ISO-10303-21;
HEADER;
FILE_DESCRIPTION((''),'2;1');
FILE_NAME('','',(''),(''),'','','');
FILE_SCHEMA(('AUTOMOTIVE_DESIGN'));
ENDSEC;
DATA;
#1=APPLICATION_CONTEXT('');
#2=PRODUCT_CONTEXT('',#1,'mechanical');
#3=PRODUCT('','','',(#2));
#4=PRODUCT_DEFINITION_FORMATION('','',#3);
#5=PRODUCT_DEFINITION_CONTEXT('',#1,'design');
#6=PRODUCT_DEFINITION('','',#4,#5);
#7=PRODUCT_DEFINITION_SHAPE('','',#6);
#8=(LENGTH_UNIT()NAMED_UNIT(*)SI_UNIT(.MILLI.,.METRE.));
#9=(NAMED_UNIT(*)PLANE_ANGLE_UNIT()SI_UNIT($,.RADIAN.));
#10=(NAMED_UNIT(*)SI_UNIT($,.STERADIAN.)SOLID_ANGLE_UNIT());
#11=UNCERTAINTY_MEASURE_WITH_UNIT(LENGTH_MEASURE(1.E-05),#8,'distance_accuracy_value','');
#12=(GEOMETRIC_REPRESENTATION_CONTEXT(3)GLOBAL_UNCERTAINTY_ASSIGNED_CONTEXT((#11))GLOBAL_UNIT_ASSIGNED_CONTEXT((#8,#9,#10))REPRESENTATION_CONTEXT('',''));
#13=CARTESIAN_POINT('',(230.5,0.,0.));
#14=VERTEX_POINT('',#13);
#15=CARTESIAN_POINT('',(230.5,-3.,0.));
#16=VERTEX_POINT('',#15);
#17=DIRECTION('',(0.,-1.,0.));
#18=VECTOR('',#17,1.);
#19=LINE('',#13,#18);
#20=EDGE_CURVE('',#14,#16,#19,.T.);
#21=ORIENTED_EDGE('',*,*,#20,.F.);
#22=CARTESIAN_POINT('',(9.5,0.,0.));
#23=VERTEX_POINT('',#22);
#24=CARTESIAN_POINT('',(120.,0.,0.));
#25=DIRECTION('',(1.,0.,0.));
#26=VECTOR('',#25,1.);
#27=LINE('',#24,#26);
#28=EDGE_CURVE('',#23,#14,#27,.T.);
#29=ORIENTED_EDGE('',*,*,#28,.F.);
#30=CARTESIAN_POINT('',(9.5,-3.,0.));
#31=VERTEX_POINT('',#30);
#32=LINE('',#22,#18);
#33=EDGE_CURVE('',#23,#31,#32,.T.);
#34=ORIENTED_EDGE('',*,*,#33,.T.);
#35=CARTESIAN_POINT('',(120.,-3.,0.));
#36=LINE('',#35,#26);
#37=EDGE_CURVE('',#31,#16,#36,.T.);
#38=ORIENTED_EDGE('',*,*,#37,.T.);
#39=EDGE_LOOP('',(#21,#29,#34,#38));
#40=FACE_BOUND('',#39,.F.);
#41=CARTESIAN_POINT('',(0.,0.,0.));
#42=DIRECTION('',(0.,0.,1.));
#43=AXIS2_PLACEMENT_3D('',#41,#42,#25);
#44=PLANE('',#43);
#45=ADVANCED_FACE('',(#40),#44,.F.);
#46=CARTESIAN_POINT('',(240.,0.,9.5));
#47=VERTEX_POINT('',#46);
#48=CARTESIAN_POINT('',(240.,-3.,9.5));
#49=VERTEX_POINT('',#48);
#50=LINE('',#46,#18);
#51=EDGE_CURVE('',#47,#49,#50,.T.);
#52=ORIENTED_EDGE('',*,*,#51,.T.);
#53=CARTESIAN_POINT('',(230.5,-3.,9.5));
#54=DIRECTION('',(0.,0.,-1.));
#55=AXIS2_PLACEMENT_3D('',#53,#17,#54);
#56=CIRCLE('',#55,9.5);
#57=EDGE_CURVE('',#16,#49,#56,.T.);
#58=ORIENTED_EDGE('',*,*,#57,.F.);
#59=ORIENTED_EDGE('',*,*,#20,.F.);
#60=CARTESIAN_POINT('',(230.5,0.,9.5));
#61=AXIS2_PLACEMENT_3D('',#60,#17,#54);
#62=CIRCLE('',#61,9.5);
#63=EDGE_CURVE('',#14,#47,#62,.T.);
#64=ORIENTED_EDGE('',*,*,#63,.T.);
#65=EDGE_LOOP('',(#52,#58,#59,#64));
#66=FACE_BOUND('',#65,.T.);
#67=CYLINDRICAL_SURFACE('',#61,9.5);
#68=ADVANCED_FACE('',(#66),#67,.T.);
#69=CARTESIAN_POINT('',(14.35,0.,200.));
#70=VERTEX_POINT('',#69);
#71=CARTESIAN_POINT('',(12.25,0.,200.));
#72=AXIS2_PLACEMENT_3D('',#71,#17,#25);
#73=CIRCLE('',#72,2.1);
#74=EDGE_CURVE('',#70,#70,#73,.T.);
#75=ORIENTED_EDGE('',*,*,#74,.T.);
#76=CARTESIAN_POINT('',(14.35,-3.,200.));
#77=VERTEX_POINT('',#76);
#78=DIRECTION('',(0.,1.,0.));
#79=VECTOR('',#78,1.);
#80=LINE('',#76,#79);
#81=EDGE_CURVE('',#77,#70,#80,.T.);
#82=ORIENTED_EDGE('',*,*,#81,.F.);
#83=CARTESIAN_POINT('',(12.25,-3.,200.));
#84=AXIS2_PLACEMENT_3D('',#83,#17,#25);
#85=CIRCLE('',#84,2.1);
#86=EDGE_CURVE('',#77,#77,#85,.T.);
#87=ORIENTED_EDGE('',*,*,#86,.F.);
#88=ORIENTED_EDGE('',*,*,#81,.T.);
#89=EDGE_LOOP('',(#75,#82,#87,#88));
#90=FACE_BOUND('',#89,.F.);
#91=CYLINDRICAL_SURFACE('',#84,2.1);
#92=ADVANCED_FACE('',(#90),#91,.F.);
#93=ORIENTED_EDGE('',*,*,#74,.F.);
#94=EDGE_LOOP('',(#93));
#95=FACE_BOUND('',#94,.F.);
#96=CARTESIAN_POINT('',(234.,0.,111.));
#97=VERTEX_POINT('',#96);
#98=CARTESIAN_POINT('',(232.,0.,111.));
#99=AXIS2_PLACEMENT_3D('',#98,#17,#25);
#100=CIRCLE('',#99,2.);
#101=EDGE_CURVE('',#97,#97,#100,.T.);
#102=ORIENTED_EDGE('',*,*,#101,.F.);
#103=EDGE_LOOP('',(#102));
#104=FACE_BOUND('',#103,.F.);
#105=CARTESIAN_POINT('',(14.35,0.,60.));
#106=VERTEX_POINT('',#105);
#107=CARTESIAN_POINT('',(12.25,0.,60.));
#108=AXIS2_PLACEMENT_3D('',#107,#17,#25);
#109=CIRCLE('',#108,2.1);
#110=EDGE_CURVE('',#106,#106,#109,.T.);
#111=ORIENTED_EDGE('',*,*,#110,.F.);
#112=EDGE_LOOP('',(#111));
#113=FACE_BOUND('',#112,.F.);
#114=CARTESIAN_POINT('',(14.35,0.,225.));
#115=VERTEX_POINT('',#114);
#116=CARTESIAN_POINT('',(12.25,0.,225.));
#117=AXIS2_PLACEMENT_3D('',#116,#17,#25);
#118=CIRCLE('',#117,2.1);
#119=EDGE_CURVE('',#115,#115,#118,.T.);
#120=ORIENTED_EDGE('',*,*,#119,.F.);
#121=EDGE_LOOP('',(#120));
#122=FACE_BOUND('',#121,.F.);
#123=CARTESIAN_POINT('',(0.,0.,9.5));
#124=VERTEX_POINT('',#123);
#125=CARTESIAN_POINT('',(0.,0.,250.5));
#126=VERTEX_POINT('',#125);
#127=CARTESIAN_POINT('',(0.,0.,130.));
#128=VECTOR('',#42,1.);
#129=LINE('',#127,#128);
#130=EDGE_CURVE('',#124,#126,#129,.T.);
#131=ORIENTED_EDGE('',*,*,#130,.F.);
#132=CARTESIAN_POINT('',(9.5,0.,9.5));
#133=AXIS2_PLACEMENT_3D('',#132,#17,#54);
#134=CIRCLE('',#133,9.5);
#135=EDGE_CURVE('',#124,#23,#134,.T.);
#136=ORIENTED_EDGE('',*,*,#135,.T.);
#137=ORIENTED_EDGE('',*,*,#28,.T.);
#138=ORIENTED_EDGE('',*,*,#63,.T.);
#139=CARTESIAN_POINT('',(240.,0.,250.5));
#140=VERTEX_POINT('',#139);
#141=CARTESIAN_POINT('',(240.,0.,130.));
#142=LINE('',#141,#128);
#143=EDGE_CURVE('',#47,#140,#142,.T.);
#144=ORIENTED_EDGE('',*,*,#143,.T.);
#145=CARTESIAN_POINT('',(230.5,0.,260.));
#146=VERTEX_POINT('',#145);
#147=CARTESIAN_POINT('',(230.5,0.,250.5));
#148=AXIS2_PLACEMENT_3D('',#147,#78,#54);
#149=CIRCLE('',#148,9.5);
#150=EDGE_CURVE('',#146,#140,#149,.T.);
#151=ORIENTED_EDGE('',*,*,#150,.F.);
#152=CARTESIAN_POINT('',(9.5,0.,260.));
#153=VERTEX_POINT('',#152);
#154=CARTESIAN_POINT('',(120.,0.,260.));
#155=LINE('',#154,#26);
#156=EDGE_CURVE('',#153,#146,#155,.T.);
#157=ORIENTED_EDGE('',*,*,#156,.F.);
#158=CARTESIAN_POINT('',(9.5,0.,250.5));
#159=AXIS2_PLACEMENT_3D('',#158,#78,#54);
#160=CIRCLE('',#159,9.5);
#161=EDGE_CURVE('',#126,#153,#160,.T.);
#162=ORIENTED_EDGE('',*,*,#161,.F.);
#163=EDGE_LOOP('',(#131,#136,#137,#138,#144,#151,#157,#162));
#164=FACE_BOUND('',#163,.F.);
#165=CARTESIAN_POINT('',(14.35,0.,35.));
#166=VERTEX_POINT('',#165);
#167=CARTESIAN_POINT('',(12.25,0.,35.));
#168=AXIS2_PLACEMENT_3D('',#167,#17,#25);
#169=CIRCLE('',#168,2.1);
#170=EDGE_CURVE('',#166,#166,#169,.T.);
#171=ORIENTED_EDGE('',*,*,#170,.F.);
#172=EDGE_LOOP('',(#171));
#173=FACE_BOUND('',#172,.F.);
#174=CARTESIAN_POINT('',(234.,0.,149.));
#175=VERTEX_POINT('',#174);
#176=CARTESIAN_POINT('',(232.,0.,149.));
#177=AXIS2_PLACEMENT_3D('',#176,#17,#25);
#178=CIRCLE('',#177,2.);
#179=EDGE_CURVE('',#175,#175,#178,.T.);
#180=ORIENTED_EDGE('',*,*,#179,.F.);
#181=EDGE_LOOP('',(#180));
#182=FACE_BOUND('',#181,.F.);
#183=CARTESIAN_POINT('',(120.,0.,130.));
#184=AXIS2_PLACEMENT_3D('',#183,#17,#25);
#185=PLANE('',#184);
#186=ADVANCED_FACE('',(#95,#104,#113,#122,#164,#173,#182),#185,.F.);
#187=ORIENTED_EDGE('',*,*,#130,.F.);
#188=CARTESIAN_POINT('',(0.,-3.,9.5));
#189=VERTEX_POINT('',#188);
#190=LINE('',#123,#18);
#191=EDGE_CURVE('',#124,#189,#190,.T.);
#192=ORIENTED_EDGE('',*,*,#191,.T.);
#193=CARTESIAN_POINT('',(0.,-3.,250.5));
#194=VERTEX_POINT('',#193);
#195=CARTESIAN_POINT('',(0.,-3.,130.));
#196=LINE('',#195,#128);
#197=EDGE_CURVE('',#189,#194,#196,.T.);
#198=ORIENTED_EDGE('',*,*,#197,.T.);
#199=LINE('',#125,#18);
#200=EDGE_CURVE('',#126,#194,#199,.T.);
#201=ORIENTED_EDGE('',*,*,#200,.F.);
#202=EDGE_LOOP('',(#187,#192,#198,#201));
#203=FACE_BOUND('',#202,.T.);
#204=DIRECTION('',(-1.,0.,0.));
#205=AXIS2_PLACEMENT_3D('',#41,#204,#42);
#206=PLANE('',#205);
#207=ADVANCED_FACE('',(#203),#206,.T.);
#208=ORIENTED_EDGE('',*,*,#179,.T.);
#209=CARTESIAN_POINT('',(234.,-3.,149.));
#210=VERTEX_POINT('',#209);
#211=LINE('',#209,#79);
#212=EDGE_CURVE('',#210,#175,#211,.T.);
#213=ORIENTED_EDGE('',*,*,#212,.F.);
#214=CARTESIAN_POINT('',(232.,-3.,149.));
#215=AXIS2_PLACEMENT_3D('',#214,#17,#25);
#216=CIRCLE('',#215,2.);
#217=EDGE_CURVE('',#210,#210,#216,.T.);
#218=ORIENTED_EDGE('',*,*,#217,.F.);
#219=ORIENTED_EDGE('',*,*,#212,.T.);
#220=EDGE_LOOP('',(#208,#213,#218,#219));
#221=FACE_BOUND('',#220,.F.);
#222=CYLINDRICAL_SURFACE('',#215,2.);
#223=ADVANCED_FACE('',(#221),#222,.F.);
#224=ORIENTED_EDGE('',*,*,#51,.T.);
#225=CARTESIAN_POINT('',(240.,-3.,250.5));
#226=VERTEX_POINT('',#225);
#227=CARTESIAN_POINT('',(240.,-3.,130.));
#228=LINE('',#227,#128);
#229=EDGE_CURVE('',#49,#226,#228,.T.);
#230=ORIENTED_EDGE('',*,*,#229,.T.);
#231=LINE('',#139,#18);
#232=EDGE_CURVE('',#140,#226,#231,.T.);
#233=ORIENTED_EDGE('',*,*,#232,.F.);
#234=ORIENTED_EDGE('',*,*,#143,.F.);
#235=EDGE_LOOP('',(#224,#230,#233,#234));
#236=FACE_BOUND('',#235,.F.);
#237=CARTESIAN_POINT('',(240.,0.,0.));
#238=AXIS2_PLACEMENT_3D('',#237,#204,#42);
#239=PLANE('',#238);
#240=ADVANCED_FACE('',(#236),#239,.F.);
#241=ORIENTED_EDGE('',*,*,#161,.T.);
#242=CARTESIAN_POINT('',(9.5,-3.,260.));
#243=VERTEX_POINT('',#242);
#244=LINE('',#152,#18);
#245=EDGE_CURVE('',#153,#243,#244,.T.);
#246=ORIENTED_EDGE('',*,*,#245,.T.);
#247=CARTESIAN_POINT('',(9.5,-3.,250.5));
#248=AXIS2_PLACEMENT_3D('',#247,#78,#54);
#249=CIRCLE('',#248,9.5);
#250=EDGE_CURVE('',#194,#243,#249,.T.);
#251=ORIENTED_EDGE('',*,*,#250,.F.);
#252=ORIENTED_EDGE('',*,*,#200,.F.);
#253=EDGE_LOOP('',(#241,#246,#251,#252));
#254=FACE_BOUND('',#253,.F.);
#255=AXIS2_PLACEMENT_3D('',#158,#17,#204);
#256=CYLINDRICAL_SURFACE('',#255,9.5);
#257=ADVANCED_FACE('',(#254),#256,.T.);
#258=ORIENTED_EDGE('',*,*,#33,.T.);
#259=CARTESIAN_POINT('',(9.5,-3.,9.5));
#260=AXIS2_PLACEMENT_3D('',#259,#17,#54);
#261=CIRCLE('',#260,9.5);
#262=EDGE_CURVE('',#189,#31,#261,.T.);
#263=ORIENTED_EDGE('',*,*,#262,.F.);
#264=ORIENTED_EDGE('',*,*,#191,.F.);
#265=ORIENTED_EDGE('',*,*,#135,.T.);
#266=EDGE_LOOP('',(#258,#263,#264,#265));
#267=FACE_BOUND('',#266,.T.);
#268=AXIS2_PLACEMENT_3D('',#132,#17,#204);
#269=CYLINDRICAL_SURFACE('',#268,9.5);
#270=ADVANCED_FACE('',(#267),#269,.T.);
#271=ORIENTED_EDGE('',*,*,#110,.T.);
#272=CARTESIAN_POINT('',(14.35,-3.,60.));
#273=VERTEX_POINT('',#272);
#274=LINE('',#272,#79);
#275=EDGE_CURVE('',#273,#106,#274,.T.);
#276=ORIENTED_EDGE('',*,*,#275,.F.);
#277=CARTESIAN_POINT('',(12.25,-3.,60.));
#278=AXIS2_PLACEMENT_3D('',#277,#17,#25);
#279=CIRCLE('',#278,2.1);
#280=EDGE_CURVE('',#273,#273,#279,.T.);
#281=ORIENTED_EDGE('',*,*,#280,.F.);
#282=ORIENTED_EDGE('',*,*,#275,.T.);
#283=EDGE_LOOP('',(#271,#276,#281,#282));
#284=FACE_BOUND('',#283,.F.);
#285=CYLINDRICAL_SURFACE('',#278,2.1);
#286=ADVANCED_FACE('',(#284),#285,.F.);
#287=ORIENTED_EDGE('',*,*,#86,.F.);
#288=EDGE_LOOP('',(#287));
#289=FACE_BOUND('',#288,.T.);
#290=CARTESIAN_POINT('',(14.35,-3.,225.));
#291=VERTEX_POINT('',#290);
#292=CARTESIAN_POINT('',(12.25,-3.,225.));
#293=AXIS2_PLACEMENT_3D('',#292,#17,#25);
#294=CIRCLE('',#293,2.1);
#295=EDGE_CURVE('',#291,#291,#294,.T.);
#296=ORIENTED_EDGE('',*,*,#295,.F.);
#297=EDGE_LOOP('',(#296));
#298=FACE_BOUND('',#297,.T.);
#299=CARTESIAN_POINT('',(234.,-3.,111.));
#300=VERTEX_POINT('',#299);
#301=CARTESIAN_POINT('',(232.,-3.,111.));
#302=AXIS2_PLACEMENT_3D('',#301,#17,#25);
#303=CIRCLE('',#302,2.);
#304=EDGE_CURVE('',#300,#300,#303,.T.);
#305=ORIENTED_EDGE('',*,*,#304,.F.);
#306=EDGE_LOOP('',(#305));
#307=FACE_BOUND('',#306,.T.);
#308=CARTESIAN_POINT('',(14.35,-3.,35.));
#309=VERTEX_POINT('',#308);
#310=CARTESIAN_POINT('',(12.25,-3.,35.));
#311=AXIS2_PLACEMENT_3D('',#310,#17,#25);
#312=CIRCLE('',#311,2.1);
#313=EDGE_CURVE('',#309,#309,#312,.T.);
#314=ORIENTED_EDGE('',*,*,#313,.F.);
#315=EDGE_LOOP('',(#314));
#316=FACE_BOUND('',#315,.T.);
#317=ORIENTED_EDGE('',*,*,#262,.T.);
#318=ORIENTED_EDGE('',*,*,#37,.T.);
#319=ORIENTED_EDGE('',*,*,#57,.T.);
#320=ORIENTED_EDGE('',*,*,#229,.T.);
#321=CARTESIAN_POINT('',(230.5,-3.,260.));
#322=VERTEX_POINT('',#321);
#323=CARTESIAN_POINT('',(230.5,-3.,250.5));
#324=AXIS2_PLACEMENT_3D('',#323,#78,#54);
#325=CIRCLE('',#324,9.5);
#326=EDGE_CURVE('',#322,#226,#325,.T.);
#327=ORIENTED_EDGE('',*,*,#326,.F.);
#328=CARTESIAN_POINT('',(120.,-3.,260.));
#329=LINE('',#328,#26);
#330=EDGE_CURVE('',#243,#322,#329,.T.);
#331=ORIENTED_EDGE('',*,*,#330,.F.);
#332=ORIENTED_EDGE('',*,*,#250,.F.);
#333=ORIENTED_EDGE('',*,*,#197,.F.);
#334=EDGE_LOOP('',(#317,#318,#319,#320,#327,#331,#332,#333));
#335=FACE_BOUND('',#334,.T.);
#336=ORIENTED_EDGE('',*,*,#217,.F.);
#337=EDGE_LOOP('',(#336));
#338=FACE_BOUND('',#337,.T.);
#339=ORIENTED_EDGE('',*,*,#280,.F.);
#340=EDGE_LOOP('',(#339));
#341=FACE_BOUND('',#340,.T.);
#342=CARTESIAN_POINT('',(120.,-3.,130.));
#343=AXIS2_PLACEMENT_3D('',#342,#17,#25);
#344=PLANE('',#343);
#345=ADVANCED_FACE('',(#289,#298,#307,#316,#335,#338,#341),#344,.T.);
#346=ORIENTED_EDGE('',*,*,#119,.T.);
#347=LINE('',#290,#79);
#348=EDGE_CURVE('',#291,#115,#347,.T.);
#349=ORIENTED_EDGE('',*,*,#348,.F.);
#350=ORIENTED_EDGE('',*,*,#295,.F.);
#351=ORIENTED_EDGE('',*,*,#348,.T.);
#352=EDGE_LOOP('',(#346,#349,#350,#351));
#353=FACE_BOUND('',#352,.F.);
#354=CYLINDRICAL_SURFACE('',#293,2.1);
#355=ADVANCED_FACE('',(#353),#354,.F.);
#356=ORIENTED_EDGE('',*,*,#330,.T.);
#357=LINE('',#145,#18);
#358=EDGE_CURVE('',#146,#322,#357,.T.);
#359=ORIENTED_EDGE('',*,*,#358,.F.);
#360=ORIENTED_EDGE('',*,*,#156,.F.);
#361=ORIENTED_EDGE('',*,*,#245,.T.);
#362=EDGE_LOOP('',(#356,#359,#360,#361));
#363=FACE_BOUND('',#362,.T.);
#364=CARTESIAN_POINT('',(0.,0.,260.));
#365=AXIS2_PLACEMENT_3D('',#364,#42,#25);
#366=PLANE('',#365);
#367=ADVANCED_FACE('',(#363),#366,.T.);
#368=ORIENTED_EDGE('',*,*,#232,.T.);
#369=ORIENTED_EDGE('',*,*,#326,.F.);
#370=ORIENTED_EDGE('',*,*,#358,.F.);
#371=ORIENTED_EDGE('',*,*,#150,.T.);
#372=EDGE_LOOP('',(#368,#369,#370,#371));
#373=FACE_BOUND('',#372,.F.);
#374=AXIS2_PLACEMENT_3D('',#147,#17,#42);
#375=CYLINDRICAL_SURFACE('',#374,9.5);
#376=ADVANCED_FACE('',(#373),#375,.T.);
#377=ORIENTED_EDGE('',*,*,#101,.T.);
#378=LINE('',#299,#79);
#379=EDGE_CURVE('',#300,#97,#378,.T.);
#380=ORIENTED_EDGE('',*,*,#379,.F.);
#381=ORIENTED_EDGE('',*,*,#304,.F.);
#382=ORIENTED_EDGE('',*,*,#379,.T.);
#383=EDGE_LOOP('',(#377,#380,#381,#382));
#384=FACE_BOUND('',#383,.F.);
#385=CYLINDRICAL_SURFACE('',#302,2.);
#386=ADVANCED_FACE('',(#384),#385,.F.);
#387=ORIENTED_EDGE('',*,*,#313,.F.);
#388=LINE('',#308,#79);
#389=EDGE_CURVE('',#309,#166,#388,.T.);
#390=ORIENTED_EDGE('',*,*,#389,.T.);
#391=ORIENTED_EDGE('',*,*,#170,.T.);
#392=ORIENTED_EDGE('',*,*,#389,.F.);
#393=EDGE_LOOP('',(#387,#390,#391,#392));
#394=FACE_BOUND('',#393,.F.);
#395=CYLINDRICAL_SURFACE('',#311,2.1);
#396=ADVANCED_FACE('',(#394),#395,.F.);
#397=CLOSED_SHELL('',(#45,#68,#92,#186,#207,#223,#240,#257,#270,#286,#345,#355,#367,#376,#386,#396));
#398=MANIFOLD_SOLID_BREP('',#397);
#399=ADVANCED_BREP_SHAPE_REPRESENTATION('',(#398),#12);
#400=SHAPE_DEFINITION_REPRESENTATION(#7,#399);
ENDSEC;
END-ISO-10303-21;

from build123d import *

# Parameters (mm, degrees)
SKETCH_W        = 240
SKETCH_H        = 260
PAD_DEPTH       = 3
SKETCH001_R     = 2.1
POCKET_DEPTH    = 5
FILLET_R        = 9.5
SKETCH002_R     = 2
POCKET001_DEPTH = 3.001


with BuildPart() as part:
    # Sketch → Pad (new body)
    with BuildSketch(Plane.XZ):
        with Locations((120, 130)):
            Rectangle(SKETCH_W, SKETCH_H)
    extrude(amount=PAD_DEPTH)

    # Sketch001 (on Face6 of Pad) → Pocket (cut)
    with BuildSketch(Plane.XZ.offset(3)):
        with Locations((12.25, 225)):
            Circle(SKETCH001_R)
        with Locations((12.25, 200)):
            Circle(SKETCH001_R)
        with Locations((12.25, 60)):
            Circle(SKETCH001_R)
        with Locations((12.25, 35)):
            Circle(SKETCH001_R)
    extrude(amount=-POCKET_DEPTH, mode=Mode.SUBTRACT)

    # Fillet
    fillet_edges = [part.edges().sort_by_distance(p)[0] for p in [
        (0, -1.5, 260),
        (240, -1.5, 260),
        (240, -1.5, 0),
        (0, -1.5, 0),
    ]]
    fillet(fillet_edges, radius=FILLET_R)

    # Sketch002 (on Face5 of Fillet) → Pocket001 (cut, through all)
    with BuildSketch(Plane.XZ.offset(3)):
        with Locations((232, 149)):
            Circle(SKETCH002_R)
        with Locations((232, 111)):
            Circle(SKETCH002_R)
    extrude(amount=-POCKET001_DEPTH, mode=Mode.SUBTRACT)


solid = part.part
